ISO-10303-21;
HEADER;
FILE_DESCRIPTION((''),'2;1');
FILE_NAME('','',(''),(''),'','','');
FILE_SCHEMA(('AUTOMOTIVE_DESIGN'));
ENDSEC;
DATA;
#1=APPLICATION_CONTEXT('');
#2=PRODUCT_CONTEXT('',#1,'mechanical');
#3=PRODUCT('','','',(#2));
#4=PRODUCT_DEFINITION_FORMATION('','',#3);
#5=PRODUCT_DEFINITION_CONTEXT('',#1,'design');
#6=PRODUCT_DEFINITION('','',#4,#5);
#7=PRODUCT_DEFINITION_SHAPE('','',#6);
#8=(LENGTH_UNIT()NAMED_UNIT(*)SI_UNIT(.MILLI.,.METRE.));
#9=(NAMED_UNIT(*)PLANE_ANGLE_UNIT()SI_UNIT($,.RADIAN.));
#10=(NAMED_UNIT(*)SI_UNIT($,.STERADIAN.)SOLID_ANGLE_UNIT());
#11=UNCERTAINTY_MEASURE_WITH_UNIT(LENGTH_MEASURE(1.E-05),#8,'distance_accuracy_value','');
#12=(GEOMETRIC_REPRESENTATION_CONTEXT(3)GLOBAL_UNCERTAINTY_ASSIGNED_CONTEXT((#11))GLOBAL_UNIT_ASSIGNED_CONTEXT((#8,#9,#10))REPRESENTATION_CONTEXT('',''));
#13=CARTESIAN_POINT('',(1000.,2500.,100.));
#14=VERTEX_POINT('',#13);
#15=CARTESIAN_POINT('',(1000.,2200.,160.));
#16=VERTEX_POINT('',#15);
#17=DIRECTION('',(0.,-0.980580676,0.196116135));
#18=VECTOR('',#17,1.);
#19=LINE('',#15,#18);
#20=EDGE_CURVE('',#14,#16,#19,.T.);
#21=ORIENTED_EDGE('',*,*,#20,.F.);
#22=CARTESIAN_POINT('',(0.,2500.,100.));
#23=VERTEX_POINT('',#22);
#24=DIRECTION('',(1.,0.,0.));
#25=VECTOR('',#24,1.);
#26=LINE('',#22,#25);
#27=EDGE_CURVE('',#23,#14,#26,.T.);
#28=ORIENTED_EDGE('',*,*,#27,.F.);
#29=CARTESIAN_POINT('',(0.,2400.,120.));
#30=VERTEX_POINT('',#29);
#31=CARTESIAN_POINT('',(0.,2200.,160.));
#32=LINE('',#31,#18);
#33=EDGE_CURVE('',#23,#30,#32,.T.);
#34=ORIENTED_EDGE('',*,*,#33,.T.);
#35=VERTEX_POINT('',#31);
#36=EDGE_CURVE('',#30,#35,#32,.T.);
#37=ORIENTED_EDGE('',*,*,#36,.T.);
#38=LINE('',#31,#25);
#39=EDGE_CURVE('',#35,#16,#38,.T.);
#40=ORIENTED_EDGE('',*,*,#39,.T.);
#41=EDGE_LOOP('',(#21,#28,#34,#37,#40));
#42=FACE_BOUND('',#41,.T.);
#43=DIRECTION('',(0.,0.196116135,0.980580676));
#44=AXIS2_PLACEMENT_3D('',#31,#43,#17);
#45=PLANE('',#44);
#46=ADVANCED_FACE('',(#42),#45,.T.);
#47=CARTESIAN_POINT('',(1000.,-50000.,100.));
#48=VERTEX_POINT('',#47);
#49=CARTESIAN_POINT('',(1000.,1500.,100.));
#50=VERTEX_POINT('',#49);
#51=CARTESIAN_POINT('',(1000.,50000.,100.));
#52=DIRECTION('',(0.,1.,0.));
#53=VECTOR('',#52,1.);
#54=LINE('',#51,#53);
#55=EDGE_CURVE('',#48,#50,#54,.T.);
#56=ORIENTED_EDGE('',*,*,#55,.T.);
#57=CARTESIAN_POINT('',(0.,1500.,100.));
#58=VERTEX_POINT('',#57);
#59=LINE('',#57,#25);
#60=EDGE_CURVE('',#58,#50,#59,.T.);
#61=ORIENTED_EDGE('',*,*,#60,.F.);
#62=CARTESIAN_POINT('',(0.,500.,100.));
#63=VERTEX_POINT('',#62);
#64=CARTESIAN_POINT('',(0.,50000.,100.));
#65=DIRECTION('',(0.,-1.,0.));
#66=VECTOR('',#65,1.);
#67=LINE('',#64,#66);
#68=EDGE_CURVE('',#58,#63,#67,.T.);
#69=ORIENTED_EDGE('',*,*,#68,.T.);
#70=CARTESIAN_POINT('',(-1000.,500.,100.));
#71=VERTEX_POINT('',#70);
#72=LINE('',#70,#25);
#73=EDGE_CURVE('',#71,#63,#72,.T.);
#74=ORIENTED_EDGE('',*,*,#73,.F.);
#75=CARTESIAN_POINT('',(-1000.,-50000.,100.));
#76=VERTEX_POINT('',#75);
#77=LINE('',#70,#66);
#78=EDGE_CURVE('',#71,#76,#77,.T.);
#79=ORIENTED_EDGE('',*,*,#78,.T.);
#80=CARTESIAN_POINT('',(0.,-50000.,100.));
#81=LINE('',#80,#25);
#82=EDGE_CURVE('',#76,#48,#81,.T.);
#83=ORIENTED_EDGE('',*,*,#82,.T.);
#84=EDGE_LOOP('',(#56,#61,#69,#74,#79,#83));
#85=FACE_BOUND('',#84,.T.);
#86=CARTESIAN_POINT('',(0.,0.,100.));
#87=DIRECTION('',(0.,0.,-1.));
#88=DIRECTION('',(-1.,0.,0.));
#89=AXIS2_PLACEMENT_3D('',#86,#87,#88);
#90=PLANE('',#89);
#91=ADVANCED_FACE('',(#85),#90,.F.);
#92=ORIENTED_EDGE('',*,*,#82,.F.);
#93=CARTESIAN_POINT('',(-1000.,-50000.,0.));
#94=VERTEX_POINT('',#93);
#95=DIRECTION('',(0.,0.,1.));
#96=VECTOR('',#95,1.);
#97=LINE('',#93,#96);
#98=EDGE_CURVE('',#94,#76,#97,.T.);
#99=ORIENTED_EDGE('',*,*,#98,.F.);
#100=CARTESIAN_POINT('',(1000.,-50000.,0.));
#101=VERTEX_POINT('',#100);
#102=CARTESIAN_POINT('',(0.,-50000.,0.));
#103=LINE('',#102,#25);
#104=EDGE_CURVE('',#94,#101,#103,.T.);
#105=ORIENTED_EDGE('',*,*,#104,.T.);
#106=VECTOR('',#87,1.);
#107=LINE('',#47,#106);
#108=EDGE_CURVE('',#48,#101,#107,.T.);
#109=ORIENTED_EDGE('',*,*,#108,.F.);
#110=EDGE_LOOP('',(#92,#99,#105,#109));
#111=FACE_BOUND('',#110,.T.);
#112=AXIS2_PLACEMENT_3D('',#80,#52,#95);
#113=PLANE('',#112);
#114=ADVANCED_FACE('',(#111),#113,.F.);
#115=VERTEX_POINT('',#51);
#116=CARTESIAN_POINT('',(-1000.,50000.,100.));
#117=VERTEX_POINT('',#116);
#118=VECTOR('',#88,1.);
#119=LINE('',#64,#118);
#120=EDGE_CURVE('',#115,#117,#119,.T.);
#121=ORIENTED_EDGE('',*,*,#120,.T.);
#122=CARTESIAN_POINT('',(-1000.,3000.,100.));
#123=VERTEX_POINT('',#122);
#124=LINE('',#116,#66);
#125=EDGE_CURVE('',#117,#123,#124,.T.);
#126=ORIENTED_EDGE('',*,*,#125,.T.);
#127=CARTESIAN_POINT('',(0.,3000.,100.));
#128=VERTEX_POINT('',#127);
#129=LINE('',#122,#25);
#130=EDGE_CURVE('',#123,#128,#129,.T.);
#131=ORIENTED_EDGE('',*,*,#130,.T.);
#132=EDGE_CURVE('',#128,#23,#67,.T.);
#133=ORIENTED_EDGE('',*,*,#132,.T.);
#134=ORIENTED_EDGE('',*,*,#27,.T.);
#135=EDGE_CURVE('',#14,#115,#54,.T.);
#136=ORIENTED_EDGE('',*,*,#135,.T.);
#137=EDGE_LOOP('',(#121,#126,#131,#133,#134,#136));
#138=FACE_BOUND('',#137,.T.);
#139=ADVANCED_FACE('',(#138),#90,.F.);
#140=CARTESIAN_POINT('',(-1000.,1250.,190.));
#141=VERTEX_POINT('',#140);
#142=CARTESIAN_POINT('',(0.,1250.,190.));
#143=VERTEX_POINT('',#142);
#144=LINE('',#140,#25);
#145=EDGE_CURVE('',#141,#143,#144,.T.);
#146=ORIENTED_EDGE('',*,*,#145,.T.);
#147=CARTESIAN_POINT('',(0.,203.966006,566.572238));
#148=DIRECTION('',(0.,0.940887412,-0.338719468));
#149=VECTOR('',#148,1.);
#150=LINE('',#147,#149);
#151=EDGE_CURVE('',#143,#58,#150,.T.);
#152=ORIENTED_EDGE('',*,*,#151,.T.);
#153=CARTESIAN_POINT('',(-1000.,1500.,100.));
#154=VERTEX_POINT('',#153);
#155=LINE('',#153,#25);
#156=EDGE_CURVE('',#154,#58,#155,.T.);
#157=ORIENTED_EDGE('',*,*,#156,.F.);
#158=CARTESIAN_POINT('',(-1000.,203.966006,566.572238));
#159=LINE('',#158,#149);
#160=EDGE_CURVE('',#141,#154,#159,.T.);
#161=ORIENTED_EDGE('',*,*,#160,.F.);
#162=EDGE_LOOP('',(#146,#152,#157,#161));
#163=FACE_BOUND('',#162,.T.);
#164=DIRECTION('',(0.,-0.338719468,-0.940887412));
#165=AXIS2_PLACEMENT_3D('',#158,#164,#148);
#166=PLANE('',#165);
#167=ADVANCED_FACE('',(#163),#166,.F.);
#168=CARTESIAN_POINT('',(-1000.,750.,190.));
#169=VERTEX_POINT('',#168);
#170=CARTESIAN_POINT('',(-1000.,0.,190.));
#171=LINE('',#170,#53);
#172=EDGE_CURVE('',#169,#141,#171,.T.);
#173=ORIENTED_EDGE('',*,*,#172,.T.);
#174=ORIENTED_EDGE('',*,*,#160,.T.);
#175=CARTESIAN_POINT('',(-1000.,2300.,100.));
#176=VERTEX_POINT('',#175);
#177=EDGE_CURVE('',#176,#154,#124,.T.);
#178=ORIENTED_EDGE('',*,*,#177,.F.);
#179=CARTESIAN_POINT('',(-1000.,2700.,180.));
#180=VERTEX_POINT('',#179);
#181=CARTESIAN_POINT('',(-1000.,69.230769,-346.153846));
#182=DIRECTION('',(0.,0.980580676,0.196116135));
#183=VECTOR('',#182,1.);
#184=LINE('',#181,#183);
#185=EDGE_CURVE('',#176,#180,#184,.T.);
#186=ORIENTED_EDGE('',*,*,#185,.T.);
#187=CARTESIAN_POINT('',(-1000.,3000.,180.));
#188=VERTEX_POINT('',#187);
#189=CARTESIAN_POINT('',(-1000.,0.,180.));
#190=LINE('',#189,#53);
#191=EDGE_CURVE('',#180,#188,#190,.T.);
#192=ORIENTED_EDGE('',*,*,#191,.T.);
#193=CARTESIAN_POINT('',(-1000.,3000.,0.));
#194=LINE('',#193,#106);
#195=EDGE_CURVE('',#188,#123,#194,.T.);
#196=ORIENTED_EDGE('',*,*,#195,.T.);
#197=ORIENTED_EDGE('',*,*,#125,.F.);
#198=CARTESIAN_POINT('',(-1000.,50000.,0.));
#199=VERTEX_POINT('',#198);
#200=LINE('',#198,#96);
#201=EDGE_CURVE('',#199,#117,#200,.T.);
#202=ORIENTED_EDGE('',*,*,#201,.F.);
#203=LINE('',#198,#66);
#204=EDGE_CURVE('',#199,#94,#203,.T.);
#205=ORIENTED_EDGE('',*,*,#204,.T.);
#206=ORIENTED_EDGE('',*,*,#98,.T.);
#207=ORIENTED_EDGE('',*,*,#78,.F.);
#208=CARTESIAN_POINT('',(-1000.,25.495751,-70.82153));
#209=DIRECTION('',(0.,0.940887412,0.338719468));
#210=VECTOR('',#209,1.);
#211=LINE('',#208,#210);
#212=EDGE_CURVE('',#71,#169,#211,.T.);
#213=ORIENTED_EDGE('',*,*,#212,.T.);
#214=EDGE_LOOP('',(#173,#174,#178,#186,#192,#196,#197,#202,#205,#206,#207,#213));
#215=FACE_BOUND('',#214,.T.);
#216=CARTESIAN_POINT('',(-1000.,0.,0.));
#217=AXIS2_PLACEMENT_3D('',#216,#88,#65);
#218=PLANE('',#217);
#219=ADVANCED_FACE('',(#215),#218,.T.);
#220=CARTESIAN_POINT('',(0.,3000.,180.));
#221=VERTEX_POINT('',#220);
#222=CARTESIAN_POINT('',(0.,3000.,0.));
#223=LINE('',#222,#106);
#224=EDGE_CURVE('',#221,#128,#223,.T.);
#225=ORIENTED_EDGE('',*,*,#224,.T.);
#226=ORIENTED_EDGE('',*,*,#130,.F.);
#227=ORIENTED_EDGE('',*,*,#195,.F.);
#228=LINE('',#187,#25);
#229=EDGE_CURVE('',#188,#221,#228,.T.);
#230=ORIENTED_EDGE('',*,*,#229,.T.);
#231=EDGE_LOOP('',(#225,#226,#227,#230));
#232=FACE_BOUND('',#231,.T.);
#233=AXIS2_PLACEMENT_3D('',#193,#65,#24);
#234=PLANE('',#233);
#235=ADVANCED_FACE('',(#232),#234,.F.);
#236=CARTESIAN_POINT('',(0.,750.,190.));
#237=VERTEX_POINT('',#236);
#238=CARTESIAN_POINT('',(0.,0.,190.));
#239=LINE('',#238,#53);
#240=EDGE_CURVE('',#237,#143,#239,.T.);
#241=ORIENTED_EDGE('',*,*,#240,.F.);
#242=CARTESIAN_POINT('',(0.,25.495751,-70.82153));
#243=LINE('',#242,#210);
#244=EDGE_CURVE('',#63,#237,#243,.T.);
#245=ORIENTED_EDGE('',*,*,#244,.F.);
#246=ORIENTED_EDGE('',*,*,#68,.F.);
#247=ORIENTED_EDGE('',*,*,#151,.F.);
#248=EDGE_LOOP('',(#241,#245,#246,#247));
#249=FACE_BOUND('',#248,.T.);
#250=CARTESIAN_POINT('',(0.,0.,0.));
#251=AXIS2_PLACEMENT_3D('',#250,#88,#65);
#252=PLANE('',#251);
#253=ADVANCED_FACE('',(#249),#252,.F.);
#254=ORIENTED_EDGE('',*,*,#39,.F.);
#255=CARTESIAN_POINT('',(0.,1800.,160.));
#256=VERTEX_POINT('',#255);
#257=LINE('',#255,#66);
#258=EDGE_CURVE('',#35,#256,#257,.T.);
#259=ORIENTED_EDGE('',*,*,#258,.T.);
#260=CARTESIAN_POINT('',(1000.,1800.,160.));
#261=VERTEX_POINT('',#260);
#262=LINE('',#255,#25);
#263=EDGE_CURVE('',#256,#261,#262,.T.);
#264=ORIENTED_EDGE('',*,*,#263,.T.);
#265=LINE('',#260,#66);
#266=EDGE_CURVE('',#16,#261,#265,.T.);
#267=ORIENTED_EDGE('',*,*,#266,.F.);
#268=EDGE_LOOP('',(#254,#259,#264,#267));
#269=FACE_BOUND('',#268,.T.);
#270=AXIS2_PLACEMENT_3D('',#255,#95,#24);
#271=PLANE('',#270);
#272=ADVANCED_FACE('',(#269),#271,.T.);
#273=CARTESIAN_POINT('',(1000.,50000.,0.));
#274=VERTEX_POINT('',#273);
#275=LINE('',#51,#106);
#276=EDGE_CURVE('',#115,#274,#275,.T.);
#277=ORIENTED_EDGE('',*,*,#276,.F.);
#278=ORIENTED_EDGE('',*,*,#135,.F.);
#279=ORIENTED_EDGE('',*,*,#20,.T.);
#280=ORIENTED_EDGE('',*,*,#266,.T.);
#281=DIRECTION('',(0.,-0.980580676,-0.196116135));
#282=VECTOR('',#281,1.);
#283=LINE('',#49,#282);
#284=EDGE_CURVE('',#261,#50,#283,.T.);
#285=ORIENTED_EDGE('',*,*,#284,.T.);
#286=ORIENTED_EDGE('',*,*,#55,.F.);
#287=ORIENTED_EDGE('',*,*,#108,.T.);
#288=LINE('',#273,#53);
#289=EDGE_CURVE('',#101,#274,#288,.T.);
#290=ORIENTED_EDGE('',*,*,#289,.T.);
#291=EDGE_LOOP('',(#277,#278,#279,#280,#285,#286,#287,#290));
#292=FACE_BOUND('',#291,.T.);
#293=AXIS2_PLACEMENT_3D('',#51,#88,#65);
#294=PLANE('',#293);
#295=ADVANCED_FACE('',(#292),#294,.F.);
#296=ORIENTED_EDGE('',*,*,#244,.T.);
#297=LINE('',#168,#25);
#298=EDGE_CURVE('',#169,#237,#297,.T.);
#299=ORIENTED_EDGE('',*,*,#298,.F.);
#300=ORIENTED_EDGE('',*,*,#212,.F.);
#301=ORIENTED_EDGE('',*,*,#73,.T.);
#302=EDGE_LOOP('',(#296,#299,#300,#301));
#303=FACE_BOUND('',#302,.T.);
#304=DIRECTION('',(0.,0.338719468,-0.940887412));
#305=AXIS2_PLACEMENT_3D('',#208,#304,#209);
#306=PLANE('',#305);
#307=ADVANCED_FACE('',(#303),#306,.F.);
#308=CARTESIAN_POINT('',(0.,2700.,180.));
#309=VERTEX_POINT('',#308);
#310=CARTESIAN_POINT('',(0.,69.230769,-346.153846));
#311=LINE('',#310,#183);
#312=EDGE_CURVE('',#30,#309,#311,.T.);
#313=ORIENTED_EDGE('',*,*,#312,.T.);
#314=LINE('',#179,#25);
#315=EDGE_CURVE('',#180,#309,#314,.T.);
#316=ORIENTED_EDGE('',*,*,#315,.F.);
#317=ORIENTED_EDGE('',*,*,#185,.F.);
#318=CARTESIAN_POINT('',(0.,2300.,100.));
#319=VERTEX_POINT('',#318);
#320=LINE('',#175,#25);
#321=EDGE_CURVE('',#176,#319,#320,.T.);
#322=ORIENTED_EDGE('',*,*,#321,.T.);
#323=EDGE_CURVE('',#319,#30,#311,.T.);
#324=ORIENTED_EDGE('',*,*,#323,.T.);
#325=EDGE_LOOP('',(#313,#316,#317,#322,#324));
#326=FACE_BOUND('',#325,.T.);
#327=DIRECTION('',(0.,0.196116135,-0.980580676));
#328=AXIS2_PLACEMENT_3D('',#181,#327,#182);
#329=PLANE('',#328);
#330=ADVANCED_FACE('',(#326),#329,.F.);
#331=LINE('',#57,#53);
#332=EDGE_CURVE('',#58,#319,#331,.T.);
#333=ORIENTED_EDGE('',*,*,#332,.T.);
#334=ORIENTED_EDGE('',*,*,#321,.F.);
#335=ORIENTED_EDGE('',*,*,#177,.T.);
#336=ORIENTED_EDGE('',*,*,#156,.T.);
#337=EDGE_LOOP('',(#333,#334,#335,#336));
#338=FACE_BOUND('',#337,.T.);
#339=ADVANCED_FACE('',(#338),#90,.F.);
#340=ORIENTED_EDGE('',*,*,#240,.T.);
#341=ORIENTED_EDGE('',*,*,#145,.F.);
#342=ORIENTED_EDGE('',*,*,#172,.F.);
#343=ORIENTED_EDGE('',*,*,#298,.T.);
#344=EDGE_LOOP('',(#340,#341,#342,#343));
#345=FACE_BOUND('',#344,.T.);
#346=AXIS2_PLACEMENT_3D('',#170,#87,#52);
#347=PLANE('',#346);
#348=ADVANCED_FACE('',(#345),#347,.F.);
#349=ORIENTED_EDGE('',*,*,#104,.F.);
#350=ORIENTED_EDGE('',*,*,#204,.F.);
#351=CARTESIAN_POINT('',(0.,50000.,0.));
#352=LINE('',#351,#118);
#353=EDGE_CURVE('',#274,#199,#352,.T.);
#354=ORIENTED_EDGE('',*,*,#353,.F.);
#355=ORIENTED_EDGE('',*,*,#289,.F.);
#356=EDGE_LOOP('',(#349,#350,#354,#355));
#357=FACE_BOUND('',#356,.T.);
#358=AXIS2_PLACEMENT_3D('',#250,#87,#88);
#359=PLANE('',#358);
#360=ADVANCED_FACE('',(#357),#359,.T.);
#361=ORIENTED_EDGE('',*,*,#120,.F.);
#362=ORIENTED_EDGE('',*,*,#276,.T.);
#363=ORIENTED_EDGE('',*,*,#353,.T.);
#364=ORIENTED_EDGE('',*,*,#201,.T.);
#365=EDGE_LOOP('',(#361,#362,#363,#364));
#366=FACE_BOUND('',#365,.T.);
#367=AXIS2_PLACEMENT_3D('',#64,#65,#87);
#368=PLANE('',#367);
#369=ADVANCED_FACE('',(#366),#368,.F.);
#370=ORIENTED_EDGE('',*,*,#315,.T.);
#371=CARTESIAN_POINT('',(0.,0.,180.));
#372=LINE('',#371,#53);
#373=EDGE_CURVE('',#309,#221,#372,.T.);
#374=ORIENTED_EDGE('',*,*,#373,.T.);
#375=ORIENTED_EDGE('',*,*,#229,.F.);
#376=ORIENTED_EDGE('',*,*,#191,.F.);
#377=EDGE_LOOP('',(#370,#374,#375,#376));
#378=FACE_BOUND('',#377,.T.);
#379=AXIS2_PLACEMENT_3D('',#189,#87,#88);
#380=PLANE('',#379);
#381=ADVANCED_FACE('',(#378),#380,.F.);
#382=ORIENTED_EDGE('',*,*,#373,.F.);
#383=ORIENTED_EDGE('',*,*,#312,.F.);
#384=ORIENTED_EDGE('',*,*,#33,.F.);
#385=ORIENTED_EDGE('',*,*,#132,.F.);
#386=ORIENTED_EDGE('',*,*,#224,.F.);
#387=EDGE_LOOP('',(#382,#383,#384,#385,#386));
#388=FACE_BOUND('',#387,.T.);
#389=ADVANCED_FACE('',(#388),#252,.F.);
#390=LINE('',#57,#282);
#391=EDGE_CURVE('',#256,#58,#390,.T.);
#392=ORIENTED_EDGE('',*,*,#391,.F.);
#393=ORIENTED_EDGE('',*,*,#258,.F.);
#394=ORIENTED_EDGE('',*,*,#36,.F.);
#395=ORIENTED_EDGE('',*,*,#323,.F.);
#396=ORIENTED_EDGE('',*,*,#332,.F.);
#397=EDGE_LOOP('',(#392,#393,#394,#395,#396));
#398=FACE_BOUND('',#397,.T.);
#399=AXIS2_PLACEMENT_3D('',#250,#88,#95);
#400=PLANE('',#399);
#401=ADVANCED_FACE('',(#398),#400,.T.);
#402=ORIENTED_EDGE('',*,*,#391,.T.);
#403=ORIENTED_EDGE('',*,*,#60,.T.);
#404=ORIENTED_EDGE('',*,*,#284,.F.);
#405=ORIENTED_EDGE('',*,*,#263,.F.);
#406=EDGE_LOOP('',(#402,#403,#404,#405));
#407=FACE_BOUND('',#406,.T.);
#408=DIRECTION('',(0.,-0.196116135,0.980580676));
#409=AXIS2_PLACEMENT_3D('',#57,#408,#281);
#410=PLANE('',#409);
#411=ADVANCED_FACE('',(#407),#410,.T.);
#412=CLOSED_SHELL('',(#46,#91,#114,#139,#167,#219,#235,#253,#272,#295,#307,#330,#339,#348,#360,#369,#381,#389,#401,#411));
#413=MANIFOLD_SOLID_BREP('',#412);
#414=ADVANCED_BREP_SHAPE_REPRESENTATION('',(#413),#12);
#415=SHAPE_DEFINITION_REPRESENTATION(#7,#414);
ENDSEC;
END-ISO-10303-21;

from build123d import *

# Parameters (mm, degrees)
BOSS_EXTRUDE1_DEPTH = 100
BOSS_EXTRUDE2_DEPTH = 1000
BOSS_EXTRUDE3_DEPTH = 1000


with BuildPart() as part:
    # Sketch1 → Boss-Extrude1 (new body)
    with BuildSketch(Plane.XY):
        Polygon((0, 50000), (0, 0), (0, -50000), (1000, -50000), (1000, 50000), align=None)
    extrude(amount=BOSS_EXTRUDE1_DEPTH)

    # Sketch2 → Boss-Extrude2 (add)
    with BuildSketch(Plane.ZY):
        Polygon((100, -50000), (100, 500), (190, 750), (190, 1250), (100, 1500), (100, 2300), (180, 2700), (180, 3000), (100, 3000), (100, 50000), (0, 50000), (0, -50000), align=None)
    extrude(amount=BOSS_EXTRUDE2_DEPTH)

    # Sketch3 → Boss-Extrude3 (add)
    with BuildSketch(Plane(origin=(1000, 0, 0), x_dir=(0, 0, -1), z_dir=(1, 0, 0))):
        Polygon((-100, 1500), (-160, 1800), (-160, 2200), (-100, 2500), align=None)
    extrude(amount=-BOSS_EXTRUDE3_DEPTH)


solid = part.part
